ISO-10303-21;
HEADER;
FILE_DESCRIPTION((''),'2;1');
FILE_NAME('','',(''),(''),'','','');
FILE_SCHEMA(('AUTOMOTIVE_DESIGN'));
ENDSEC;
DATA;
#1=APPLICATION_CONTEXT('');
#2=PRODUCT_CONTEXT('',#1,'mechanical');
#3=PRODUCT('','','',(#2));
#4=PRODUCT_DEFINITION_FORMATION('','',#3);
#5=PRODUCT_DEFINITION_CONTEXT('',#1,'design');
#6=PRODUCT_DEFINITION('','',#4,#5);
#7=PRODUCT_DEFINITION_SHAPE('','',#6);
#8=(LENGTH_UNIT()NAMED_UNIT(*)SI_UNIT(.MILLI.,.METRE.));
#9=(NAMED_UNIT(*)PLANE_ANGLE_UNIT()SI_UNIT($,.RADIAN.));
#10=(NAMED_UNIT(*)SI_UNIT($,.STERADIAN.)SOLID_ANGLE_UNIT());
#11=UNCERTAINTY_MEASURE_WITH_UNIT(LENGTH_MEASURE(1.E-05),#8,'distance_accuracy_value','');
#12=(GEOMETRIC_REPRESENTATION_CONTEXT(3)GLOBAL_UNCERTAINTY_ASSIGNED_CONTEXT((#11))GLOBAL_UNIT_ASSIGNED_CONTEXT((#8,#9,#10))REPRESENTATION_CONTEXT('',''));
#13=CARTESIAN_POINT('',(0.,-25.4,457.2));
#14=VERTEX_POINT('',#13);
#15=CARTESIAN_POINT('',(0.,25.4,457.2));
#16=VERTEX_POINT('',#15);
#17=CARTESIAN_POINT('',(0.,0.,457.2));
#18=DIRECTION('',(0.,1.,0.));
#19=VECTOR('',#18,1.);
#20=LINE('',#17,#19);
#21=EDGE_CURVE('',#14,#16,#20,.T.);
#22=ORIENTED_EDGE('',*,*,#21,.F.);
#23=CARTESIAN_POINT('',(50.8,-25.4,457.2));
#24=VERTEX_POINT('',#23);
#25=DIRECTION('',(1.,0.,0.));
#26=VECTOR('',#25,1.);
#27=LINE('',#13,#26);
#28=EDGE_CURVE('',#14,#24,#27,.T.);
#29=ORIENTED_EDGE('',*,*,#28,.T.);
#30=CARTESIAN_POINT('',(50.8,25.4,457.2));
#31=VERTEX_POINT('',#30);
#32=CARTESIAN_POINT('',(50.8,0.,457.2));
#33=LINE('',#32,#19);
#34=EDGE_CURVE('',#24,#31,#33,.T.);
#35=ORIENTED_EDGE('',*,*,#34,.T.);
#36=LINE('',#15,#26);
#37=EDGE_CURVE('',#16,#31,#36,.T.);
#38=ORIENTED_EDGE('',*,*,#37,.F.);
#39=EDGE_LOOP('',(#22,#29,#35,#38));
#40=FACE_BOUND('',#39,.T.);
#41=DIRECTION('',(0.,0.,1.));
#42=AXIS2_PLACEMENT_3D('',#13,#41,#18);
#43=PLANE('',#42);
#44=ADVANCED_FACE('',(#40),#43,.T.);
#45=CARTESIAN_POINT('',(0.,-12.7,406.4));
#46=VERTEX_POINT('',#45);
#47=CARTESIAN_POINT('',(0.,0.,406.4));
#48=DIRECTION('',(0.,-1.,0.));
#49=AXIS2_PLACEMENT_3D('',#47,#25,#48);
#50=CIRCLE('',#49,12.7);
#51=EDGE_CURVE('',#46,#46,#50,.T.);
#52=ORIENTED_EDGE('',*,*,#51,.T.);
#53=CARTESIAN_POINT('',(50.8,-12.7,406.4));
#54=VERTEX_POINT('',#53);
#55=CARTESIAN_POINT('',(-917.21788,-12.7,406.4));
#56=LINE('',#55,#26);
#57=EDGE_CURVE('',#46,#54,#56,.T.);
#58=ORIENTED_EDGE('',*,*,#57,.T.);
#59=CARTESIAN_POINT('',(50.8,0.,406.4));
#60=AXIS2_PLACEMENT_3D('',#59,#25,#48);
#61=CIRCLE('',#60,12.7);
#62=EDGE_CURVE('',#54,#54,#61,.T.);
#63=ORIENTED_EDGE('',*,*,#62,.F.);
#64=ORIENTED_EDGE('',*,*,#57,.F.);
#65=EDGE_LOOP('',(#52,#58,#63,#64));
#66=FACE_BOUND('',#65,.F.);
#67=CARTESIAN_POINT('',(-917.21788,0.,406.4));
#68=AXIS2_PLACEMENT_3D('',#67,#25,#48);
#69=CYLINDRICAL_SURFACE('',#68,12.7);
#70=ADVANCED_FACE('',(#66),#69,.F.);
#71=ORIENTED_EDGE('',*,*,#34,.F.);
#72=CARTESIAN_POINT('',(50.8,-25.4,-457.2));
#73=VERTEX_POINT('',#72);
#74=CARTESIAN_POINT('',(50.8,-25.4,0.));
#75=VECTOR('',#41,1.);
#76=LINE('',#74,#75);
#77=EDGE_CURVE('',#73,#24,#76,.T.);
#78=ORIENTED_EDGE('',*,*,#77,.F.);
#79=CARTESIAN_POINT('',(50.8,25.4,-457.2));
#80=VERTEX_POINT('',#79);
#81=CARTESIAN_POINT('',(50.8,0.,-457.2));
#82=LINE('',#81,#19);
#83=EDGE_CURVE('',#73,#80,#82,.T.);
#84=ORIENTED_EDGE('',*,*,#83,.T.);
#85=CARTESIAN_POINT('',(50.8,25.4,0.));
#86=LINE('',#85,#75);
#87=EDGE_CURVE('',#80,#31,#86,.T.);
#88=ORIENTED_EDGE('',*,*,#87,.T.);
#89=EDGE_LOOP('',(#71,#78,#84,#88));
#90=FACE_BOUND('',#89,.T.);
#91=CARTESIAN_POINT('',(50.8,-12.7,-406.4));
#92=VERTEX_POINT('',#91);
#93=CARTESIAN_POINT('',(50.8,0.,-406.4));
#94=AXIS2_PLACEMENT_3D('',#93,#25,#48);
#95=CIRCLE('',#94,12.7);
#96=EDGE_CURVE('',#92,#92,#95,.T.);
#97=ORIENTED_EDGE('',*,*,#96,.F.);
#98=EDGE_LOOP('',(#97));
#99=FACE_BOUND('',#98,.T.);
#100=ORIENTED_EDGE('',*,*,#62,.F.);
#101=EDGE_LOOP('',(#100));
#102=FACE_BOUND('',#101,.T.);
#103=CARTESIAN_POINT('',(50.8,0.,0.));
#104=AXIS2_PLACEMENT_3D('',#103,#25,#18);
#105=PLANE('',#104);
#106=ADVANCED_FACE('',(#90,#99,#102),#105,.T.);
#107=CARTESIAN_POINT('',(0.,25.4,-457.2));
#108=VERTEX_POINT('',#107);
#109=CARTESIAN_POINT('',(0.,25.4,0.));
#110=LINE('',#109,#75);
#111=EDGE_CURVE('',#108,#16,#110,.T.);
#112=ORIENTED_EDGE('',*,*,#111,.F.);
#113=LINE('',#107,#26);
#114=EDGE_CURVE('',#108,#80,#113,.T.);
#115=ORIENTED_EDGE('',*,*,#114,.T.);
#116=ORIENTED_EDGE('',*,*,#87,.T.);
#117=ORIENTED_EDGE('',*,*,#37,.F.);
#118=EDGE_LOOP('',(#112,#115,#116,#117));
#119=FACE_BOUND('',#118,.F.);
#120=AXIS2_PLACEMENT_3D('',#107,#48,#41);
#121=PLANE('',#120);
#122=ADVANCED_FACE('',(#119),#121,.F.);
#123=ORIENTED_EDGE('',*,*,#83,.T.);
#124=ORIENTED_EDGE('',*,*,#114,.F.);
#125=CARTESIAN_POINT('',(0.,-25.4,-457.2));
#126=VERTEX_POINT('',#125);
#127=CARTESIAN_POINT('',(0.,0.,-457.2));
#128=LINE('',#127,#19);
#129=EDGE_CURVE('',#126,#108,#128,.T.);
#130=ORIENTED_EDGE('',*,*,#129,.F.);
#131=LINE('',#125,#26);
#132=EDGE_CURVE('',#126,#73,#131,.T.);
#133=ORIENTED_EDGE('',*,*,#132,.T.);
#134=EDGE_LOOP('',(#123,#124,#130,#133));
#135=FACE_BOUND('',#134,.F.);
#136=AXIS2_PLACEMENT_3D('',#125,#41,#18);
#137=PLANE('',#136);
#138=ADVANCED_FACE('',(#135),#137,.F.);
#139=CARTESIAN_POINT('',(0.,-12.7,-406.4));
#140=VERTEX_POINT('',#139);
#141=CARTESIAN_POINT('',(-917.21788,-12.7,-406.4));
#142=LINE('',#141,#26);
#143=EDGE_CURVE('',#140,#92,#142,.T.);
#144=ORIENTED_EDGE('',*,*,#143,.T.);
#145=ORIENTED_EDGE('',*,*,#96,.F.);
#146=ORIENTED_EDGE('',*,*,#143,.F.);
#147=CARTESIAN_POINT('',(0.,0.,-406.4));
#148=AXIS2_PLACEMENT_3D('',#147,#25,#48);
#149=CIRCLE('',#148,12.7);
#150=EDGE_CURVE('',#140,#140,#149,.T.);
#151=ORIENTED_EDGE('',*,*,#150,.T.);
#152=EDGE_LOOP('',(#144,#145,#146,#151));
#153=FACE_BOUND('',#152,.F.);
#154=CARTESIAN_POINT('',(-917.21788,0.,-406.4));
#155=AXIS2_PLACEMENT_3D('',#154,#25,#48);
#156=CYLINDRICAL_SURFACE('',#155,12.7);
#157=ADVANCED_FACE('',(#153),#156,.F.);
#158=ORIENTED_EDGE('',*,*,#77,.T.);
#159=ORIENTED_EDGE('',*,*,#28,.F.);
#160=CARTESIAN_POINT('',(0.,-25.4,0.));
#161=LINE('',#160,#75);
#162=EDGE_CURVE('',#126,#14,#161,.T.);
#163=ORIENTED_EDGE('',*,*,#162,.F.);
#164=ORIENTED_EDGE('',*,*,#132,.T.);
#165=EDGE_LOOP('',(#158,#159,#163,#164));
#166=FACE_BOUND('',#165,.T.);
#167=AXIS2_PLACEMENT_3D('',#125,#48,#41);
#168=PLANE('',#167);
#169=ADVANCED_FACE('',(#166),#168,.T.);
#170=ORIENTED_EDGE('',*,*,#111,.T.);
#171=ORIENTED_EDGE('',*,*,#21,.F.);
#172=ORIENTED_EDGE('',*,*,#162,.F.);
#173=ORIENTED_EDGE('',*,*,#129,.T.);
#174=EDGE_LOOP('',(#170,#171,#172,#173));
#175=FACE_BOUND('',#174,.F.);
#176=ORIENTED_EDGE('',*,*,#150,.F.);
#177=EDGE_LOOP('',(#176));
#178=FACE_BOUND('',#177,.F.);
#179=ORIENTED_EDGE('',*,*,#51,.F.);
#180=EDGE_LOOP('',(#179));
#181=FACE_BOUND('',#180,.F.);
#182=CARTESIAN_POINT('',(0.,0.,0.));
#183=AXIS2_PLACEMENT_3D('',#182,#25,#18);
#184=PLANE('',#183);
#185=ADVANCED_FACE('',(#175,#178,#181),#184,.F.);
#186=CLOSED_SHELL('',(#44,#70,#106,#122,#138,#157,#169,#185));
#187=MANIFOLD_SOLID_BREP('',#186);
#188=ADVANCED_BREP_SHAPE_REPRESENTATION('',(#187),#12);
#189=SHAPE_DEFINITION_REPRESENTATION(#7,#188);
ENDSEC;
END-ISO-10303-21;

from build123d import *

# Parameters (mm, degrees)
F0_W     = 50.8
F0_H     = 914.4
F1_DEPTH = 50.8
F2_D     = 25.4


with BuildPart() as f1:
    # F0 (on Right) → F1 (new body)
    with BuildSketch(Plane.YZ):
        Rectangle(F0_W, F0_H)
    extrude(amount=F1_DEPTH)

    # F2 (through all)
    with Locations(Plane(origin=(0, 0, 0), x_dir=(0, 1, 0), z_dir=(-1, 0, 0))):
        with Locations((0, 406.4), (0, -406.4)):
            Hole(F2_D / 2)


solid = f1.part
